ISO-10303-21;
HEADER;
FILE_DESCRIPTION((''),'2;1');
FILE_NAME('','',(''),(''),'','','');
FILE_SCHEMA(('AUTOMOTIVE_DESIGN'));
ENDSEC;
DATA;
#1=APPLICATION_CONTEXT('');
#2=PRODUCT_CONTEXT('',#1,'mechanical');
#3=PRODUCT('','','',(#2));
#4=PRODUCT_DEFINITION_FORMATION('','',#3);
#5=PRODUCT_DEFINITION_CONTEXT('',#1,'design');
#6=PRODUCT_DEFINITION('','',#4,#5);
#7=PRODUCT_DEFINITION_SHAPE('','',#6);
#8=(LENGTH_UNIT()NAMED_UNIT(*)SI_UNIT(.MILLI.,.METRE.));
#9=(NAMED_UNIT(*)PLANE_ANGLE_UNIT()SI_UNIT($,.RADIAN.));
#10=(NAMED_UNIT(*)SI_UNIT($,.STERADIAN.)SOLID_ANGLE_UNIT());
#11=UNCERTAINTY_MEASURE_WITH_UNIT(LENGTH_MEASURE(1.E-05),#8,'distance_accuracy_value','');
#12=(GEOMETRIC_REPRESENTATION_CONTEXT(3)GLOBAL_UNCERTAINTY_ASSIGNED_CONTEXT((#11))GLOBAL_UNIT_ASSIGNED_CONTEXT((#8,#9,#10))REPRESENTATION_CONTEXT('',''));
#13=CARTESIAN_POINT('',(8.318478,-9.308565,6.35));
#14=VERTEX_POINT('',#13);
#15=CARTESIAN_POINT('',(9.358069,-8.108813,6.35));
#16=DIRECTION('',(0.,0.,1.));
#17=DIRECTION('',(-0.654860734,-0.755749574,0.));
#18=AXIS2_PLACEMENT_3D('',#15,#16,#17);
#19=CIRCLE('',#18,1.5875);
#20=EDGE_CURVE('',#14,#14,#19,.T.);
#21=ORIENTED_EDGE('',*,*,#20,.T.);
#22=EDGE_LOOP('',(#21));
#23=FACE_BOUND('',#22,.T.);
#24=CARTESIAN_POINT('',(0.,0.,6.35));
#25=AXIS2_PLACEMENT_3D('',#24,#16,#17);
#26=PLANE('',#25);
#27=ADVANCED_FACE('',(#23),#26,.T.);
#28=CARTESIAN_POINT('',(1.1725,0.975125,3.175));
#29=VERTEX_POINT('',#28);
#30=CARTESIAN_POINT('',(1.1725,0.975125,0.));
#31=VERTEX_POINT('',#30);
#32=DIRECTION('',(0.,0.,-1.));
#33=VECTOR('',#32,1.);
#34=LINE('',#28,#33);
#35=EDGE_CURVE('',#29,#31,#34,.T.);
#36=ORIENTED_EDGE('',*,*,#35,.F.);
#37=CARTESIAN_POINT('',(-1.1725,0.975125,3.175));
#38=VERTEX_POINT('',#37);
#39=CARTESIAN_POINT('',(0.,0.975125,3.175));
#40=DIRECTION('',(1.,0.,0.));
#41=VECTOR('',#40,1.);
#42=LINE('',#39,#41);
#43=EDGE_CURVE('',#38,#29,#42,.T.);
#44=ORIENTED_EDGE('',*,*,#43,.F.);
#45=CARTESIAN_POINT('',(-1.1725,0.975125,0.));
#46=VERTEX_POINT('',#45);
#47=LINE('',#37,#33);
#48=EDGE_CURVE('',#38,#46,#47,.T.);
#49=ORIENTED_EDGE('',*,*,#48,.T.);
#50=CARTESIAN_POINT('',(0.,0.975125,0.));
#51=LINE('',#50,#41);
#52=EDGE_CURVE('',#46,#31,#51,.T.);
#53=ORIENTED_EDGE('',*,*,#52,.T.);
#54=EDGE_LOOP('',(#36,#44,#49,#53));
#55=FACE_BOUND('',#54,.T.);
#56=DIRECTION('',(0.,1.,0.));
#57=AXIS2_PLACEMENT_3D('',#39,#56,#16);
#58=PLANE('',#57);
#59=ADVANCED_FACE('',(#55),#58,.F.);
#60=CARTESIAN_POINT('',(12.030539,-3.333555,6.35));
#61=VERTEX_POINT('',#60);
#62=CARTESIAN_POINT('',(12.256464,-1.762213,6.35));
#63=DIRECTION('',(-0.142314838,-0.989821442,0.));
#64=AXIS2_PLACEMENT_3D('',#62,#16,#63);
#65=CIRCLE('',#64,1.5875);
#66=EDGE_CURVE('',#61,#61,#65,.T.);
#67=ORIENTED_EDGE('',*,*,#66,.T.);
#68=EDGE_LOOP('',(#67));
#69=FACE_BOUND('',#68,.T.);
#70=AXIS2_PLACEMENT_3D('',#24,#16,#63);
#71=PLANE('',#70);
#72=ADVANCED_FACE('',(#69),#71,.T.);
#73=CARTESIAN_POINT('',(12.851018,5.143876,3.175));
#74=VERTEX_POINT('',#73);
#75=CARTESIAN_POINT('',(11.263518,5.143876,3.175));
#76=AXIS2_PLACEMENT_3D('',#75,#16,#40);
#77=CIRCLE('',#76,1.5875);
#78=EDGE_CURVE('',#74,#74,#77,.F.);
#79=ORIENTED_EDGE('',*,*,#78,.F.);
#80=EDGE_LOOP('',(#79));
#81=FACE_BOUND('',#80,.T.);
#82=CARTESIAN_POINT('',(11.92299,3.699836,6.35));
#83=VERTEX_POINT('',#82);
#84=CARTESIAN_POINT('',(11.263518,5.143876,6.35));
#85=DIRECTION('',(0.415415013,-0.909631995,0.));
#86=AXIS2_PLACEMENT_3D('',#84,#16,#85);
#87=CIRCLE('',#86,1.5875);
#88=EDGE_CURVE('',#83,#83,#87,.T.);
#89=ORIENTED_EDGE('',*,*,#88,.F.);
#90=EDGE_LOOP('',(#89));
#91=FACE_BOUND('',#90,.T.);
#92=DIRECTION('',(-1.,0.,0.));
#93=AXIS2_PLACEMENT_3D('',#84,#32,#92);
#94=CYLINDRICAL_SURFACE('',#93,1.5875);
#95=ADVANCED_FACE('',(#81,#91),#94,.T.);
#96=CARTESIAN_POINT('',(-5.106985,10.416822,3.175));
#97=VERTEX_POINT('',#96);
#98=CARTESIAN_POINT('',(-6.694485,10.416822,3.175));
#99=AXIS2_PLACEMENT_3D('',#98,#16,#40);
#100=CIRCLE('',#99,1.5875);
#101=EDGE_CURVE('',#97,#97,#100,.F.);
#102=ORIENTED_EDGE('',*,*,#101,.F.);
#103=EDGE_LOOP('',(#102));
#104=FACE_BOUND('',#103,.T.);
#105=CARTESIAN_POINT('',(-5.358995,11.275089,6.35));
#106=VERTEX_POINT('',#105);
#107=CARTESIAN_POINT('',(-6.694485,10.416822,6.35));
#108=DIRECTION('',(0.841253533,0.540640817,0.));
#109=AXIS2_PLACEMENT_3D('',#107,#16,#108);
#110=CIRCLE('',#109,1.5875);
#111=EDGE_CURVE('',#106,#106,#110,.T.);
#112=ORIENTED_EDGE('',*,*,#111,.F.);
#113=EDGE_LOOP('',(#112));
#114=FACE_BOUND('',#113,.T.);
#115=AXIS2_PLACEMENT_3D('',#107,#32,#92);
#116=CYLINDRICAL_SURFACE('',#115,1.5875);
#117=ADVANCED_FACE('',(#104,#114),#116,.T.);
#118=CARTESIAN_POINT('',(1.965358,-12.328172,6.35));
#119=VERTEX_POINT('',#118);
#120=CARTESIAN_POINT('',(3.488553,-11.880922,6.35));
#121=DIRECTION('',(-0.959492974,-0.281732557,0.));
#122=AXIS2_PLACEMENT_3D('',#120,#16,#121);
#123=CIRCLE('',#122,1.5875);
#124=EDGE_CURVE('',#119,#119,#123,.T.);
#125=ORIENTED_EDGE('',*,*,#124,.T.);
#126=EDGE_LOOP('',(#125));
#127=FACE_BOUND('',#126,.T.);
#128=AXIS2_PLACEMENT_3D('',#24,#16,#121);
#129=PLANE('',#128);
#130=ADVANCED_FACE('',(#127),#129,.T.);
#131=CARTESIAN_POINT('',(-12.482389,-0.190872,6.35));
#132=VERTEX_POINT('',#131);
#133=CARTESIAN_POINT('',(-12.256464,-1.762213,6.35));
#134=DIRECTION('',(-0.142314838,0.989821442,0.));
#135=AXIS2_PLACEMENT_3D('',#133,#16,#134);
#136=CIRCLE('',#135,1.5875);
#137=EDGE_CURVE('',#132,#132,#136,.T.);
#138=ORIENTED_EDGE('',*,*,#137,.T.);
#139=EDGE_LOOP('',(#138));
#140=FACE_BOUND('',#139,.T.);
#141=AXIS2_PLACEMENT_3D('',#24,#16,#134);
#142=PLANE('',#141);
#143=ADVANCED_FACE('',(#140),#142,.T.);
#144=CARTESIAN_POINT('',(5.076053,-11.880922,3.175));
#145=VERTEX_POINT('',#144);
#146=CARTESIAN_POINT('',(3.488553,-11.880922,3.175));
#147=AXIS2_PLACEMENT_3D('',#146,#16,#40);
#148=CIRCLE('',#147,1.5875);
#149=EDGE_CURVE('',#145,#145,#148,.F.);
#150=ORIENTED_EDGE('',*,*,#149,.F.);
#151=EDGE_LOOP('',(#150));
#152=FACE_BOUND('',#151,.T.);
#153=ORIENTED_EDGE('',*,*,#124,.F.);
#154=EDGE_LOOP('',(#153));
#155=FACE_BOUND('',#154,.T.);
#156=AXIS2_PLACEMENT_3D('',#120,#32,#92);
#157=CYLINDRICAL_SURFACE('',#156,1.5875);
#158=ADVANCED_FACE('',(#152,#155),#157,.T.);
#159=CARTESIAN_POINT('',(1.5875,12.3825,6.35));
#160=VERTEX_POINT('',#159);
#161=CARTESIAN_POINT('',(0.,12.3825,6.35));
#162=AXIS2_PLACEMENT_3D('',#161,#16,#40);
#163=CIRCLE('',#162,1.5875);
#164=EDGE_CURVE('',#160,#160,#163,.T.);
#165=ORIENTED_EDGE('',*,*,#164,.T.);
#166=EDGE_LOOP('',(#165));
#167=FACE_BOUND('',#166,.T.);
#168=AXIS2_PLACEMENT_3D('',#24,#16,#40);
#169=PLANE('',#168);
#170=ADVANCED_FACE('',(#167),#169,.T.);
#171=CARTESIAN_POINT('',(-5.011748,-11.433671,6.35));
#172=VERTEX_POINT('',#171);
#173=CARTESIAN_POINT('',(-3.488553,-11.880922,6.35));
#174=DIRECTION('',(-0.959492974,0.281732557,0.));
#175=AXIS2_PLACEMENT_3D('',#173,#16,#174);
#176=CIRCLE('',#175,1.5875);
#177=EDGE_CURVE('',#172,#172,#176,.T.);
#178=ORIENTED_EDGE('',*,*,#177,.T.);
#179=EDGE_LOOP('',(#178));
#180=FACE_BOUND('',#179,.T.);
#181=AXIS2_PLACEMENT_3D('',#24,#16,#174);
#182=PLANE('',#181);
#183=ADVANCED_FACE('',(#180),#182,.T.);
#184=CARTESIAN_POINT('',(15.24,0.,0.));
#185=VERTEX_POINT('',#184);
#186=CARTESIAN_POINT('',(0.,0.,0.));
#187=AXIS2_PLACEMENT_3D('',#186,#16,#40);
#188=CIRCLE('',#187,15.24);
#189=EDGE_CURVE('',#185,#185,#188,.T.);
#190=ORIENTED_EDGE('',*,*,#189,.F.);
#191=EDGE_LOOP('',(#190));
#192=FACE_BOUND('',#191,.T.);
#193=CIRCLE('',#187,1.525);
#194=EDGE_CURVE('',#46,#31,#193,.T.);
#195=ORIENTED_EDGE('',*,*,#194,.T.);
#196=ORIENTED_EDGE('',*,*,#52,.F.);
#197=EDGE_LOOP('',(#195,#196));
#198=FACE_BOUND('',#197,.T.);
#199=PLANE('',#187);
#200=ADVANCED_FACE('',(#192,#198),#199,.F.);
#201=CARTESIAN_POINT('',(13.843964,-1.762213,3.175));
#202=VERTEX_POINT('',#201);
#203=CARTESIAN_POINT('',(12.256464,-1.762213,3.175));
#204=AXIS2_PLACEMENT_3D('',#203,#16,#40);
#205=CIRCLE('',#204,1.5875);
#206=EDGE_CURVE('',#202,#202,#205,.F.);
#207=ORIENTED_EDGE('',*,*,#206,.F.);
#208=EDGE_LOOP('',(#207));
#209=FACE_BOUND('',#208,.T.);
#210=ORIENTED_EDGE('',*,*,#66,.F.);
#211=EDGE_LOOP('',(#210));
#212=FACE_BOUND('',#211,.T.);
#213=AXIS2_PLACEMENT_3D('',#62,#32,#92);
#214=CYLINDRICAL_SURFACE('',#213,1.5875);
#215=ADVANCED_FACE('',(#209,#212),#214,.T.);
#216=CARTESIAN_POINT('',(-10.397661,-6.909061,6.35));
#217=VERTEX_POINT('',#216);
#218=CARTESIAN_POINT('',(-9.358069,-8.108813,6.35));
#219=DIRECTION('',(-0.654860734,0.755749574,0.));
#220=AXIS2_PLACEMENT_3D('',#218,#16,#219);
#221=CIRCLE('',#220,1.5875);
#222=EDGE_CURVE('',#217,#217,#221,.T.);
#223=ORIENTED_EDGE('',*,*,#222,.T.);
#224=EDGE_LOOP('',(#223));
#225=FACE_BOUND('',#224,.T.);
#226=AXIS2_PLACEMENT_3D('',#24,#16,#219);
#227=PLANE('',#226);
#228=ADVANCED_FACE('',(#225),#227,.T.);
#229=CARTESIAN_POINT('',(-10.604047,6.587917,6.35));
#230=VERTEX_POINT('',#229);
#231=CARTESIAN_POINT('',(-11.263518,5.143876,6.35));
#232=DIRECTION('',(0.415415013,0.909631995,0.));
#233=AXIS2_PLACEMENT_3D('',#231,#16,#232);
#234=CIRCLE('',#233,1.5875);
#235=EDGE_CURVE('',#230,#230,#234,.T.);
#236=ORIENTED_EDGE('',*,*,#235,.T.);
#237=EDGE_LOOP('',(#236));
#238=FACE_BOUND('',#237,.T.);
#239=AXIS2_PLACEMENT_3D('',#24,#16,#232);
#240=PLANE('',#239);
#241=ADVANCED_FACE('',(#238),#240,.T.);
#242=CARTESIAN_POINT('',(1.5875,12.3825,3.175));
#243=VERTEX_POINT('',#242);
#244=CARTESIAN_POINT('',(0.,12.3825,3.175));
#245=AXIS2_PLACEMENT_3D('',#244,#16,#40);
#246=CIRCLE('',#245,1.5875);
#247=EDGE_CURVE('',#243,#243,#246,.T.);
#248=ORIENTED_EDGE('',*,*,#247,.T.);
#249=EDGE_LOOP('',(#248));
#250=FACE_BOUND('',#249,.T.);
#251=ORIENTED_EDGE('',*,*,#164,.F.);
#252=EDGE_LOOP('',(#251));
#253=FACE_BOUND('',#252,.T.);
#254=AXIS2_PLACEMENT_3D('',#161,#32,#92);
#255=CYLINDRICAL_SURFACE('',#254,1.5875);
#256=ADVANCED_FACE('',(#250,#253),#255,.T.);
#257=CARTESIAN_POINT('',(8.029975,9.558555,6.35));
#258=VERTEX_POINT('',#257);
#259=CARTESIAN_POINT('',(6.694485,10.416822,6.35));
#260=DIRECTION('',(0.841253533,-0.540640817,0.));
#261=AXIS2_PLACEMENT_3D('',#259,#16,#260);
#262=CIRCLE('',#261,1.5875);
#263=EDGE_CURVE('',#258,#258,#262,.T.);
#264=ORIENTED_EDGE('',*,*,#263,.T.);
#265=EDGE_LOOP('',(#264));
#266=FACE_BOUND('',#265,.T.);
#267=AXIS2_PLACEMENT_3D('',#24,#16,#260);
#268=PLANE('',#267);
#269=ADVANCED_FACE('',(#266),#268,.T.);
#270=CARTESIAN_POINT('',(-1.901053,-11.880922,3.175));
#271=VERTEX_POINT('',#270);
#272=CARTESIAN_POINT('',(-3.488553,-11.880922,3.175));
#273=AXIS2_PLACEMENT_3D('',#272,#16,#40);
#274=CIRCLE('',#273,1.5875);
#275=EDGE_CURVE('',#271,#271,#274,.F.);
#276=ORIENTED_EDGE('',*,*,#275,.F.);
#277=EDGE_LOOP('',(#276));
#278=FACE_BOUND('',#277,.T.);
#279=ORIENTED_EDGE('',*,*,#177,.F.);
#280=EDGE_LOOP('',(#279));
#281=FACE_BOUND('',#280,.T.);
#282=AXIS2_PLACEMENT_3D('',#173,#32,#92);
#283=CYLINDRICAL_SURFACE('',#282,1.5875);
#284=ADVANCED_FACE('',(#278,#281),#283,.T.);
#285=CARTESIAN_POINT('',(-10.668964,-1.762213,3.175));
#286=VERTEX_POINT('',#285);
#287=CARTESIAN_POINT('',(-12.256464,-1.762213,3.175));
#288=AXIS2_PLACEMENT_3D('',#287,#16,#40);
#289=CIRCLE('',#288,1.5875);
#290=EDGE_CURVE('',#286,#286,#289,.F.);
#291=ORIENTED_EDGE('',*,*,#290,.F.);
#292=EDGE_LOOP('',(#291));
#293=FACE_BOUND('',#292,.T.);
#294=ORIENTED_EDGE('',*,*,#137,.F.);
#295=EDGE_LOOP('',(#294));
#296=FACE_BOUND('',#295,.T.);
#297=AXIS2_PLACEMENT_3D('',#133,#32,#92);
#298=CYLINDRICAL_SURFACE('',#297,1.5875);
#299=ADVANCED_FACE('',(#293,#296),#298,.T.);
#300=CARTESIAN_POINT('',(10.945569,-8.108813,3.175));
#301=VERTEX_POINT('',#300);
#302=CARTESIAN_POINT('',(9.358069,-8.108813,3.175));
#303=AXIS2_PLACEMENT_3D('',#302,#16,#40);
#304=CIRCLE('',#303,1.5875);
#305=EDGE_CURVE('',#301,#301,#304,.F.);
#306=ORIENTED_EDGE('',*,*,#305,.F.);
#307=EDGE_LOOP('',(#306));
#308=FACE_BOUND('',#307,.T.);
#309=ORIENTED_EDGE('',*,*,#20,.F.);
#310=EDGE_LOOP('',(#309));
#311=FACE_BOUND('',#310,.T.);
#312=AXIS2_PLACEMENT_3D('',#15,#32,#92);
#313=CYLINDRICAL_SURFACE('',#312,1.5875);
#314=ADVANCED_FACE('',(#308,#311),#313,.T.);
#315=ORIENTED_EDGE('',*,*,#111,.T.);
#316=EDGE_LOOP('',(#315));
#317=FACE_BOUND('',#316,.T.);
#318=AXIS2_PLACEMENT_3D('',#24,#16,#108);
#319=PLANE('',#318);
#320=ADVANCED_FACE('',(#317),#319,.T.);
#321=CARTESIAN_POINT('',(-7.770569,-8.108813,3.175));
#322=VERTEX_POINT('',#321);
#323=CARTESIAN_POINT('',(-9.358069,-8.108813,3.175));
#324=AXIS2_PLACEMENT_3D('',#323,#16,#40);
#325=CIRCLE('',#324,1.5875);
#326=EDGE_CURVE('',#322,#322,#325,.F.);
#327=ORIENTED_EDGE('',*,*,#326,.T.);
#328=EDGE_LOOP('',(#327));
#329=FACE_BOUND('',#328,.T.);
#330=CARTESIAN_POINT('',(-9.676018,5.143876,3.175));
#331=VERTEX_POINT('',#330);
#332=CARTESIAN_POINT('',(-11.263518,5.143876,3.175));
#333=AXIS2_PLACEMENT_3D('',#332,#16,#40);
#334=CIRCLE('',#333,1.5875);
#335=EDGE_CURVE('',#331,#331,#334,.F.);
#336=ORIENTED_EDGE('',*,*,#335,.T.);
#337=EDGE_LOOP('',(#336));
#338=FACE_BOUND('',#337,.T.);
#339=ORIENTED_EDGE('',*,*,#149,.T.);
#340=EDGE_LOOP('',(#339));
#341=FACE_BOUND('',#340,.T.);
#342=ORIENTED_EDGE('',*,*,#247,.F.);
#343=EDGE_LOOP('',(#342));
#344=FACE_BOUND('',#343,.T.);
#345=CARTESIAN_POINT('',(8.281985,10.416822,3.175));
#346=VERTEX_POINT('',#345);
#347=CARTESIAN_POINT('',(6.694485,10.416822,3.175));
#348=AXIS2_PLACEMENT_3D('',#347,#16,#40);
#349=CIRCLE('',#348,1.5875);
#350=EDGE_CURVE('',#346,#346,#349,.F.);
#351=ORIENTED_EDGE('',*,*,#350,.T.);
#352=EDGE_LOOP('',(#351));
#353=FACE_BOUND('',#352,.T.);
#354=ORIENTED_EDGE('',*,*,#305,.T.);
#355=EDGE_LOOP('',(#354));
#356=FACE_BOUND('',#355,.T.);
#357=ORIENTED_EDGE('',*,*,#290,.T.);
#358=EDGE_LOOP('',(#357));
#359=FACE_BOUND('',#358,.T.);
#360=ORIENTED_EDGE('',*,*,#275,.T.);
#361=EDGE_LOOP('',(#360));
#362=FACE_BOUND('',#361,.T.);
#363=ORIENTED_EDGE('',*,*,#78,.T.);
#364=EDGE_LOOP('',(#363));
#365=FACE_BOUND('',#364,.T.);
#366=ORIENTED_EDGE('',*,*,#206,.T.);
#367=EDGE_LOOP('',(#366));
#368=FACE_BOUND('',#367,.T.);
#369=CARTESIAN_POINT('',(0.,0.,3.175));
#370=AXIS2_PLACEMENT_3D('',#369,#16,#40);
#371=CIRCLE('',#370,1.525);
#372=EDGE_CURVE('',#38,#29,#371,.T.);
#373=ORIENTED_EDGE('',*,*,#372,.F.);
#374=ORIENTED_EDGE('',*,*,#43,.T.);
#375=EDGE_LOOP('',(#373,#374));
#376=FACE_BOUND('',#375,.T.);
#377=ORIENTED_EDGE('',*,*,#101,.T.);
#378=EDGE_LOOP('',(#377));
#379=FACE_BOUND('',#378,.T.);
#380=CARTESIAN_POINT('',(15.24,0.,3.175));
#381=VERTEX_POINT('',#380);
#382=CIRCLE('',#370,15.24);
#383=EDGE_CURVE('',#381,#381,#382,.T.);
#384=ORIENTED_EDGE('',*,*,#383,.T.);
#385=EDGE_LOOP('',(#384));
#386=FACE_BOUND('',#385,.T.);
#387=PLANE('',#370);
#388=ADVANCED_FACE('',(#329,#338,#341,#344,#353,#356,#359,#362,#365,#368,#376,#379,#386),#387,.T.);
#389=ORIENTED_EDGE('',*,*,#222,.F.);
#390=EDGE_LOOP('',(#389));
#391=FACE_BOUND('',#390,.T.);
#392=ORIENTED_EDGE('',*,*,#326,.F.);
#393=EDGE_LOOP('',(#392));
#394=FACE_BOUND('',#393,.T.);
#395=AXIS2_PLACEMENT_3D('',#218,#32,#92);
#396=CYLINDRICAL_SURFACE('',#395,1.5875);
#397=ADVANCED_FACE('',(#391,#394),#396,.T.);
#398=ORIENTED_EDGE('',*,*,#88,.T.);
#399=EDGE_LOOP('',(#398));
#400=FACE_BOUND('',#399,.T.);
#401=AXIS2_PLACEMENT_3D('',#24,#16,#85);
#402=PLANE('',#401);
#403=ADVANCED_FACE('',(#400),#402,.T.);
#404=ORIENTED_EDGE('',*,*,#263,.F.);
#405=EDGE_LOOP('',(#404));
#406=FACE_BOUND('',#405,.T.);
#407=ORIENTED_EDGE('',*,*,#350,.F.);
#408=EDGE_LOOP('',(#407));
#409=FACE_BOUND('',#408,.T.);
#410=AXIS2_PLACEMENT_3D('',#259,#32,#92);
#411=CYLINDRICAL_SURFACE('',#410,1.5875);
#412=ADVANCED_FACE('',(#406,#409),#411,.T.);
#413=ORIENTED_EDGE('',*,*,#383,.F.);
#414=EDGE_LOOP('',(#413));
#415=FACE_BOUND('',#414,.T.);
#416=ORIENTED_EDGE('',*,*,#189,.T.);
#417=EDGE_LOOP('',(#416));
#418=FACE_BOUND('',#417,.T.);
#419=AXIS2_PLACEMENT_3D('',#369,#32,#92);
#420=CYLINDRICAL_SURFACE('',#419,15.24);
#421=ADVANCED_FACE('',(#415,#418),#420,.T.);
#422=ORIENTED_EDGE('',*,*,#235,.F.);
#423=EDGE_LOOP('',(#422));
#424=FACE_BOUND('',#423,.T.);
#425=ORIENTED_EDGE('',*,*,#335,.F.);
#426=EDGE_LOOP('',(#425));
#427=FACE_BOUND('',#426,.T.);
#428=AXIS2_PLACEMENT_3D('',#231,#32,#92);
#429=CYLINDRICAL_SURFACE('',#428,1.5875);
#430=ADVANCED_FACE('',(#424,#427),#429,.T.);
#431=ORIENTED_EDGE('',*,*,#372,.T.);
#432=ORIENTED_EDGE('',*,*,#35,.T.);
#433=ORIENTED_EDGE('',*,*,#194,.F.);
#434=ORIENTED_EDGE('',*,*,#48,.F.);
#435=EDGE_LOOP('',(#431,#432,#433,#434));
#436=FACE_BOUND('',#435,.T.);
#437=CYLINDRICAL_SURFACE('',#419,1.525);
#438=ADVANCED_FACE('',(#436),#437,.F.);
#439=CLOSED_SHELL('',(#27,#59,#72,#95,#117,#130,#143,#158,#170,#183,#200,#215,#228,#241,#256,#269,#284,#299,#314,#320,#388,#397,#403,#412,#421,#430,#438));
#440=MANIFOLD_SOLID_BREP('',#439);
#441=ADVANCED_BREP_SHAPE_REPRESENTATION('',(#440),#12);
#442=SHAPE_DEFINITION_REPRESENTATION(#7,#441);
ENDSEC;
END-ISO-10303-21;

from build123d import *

# Parameters (mm, degrees)
SKETCH1_R           = 15.24
SKETCH1_R_2         = 1.5875
BOSS_EXTRUDE1_DEPTH = 3.175
SKETCH1_3_R         = 1.5875
BOSS_EXTRUDE2_DEPTH = 6.35
CIRPATTERN1_COUNT   = 11


with BuildPart() as part:
    # Sketch1 → Boss-Extrude1 (new body)
    with BuildSketch(Plane.XY):
        Circle(SKETCH1_R)
        with Locations((0, 12.3825)):
            Circle(SKETCH1_R_2, mode=Mode.SUBTRACT)
        with BuildLine():
            Line((-1.1725, 0.975124992), (1.1725, 0.975124992))
            ThreePointArc((1.1725, 0.975124992), (0, -1.525), (-1.1725, 0.975124992))
        make_face(mode=Mode.SUBTRACT)
    extrude(amount=BOSS_EXTRUDE1_DEPTH)

    # Sketch1<3> → Boss-Extrude2 (add)
    with BuildSketch(Plane.XY):
        with Locations((0, 12.3825)):
            Circle(SKETCH1_3_R)
    boss_extrude2 = extrude(amount=BOSS_EXTRUDE2_DEPTH)

    # CirPattern1: Boss-Extrude2 ×11 about axis
    cirpattern1_axis = Axis((0, 0, 0), (0, 0, 1))
    for i in range(1, CIRPATTERN1_COUNT):
        add(boss_extrude2.rotate(cirpattern1_axis, i * 360 / CIRPATTERN1_COUNT))


solid = part.part
